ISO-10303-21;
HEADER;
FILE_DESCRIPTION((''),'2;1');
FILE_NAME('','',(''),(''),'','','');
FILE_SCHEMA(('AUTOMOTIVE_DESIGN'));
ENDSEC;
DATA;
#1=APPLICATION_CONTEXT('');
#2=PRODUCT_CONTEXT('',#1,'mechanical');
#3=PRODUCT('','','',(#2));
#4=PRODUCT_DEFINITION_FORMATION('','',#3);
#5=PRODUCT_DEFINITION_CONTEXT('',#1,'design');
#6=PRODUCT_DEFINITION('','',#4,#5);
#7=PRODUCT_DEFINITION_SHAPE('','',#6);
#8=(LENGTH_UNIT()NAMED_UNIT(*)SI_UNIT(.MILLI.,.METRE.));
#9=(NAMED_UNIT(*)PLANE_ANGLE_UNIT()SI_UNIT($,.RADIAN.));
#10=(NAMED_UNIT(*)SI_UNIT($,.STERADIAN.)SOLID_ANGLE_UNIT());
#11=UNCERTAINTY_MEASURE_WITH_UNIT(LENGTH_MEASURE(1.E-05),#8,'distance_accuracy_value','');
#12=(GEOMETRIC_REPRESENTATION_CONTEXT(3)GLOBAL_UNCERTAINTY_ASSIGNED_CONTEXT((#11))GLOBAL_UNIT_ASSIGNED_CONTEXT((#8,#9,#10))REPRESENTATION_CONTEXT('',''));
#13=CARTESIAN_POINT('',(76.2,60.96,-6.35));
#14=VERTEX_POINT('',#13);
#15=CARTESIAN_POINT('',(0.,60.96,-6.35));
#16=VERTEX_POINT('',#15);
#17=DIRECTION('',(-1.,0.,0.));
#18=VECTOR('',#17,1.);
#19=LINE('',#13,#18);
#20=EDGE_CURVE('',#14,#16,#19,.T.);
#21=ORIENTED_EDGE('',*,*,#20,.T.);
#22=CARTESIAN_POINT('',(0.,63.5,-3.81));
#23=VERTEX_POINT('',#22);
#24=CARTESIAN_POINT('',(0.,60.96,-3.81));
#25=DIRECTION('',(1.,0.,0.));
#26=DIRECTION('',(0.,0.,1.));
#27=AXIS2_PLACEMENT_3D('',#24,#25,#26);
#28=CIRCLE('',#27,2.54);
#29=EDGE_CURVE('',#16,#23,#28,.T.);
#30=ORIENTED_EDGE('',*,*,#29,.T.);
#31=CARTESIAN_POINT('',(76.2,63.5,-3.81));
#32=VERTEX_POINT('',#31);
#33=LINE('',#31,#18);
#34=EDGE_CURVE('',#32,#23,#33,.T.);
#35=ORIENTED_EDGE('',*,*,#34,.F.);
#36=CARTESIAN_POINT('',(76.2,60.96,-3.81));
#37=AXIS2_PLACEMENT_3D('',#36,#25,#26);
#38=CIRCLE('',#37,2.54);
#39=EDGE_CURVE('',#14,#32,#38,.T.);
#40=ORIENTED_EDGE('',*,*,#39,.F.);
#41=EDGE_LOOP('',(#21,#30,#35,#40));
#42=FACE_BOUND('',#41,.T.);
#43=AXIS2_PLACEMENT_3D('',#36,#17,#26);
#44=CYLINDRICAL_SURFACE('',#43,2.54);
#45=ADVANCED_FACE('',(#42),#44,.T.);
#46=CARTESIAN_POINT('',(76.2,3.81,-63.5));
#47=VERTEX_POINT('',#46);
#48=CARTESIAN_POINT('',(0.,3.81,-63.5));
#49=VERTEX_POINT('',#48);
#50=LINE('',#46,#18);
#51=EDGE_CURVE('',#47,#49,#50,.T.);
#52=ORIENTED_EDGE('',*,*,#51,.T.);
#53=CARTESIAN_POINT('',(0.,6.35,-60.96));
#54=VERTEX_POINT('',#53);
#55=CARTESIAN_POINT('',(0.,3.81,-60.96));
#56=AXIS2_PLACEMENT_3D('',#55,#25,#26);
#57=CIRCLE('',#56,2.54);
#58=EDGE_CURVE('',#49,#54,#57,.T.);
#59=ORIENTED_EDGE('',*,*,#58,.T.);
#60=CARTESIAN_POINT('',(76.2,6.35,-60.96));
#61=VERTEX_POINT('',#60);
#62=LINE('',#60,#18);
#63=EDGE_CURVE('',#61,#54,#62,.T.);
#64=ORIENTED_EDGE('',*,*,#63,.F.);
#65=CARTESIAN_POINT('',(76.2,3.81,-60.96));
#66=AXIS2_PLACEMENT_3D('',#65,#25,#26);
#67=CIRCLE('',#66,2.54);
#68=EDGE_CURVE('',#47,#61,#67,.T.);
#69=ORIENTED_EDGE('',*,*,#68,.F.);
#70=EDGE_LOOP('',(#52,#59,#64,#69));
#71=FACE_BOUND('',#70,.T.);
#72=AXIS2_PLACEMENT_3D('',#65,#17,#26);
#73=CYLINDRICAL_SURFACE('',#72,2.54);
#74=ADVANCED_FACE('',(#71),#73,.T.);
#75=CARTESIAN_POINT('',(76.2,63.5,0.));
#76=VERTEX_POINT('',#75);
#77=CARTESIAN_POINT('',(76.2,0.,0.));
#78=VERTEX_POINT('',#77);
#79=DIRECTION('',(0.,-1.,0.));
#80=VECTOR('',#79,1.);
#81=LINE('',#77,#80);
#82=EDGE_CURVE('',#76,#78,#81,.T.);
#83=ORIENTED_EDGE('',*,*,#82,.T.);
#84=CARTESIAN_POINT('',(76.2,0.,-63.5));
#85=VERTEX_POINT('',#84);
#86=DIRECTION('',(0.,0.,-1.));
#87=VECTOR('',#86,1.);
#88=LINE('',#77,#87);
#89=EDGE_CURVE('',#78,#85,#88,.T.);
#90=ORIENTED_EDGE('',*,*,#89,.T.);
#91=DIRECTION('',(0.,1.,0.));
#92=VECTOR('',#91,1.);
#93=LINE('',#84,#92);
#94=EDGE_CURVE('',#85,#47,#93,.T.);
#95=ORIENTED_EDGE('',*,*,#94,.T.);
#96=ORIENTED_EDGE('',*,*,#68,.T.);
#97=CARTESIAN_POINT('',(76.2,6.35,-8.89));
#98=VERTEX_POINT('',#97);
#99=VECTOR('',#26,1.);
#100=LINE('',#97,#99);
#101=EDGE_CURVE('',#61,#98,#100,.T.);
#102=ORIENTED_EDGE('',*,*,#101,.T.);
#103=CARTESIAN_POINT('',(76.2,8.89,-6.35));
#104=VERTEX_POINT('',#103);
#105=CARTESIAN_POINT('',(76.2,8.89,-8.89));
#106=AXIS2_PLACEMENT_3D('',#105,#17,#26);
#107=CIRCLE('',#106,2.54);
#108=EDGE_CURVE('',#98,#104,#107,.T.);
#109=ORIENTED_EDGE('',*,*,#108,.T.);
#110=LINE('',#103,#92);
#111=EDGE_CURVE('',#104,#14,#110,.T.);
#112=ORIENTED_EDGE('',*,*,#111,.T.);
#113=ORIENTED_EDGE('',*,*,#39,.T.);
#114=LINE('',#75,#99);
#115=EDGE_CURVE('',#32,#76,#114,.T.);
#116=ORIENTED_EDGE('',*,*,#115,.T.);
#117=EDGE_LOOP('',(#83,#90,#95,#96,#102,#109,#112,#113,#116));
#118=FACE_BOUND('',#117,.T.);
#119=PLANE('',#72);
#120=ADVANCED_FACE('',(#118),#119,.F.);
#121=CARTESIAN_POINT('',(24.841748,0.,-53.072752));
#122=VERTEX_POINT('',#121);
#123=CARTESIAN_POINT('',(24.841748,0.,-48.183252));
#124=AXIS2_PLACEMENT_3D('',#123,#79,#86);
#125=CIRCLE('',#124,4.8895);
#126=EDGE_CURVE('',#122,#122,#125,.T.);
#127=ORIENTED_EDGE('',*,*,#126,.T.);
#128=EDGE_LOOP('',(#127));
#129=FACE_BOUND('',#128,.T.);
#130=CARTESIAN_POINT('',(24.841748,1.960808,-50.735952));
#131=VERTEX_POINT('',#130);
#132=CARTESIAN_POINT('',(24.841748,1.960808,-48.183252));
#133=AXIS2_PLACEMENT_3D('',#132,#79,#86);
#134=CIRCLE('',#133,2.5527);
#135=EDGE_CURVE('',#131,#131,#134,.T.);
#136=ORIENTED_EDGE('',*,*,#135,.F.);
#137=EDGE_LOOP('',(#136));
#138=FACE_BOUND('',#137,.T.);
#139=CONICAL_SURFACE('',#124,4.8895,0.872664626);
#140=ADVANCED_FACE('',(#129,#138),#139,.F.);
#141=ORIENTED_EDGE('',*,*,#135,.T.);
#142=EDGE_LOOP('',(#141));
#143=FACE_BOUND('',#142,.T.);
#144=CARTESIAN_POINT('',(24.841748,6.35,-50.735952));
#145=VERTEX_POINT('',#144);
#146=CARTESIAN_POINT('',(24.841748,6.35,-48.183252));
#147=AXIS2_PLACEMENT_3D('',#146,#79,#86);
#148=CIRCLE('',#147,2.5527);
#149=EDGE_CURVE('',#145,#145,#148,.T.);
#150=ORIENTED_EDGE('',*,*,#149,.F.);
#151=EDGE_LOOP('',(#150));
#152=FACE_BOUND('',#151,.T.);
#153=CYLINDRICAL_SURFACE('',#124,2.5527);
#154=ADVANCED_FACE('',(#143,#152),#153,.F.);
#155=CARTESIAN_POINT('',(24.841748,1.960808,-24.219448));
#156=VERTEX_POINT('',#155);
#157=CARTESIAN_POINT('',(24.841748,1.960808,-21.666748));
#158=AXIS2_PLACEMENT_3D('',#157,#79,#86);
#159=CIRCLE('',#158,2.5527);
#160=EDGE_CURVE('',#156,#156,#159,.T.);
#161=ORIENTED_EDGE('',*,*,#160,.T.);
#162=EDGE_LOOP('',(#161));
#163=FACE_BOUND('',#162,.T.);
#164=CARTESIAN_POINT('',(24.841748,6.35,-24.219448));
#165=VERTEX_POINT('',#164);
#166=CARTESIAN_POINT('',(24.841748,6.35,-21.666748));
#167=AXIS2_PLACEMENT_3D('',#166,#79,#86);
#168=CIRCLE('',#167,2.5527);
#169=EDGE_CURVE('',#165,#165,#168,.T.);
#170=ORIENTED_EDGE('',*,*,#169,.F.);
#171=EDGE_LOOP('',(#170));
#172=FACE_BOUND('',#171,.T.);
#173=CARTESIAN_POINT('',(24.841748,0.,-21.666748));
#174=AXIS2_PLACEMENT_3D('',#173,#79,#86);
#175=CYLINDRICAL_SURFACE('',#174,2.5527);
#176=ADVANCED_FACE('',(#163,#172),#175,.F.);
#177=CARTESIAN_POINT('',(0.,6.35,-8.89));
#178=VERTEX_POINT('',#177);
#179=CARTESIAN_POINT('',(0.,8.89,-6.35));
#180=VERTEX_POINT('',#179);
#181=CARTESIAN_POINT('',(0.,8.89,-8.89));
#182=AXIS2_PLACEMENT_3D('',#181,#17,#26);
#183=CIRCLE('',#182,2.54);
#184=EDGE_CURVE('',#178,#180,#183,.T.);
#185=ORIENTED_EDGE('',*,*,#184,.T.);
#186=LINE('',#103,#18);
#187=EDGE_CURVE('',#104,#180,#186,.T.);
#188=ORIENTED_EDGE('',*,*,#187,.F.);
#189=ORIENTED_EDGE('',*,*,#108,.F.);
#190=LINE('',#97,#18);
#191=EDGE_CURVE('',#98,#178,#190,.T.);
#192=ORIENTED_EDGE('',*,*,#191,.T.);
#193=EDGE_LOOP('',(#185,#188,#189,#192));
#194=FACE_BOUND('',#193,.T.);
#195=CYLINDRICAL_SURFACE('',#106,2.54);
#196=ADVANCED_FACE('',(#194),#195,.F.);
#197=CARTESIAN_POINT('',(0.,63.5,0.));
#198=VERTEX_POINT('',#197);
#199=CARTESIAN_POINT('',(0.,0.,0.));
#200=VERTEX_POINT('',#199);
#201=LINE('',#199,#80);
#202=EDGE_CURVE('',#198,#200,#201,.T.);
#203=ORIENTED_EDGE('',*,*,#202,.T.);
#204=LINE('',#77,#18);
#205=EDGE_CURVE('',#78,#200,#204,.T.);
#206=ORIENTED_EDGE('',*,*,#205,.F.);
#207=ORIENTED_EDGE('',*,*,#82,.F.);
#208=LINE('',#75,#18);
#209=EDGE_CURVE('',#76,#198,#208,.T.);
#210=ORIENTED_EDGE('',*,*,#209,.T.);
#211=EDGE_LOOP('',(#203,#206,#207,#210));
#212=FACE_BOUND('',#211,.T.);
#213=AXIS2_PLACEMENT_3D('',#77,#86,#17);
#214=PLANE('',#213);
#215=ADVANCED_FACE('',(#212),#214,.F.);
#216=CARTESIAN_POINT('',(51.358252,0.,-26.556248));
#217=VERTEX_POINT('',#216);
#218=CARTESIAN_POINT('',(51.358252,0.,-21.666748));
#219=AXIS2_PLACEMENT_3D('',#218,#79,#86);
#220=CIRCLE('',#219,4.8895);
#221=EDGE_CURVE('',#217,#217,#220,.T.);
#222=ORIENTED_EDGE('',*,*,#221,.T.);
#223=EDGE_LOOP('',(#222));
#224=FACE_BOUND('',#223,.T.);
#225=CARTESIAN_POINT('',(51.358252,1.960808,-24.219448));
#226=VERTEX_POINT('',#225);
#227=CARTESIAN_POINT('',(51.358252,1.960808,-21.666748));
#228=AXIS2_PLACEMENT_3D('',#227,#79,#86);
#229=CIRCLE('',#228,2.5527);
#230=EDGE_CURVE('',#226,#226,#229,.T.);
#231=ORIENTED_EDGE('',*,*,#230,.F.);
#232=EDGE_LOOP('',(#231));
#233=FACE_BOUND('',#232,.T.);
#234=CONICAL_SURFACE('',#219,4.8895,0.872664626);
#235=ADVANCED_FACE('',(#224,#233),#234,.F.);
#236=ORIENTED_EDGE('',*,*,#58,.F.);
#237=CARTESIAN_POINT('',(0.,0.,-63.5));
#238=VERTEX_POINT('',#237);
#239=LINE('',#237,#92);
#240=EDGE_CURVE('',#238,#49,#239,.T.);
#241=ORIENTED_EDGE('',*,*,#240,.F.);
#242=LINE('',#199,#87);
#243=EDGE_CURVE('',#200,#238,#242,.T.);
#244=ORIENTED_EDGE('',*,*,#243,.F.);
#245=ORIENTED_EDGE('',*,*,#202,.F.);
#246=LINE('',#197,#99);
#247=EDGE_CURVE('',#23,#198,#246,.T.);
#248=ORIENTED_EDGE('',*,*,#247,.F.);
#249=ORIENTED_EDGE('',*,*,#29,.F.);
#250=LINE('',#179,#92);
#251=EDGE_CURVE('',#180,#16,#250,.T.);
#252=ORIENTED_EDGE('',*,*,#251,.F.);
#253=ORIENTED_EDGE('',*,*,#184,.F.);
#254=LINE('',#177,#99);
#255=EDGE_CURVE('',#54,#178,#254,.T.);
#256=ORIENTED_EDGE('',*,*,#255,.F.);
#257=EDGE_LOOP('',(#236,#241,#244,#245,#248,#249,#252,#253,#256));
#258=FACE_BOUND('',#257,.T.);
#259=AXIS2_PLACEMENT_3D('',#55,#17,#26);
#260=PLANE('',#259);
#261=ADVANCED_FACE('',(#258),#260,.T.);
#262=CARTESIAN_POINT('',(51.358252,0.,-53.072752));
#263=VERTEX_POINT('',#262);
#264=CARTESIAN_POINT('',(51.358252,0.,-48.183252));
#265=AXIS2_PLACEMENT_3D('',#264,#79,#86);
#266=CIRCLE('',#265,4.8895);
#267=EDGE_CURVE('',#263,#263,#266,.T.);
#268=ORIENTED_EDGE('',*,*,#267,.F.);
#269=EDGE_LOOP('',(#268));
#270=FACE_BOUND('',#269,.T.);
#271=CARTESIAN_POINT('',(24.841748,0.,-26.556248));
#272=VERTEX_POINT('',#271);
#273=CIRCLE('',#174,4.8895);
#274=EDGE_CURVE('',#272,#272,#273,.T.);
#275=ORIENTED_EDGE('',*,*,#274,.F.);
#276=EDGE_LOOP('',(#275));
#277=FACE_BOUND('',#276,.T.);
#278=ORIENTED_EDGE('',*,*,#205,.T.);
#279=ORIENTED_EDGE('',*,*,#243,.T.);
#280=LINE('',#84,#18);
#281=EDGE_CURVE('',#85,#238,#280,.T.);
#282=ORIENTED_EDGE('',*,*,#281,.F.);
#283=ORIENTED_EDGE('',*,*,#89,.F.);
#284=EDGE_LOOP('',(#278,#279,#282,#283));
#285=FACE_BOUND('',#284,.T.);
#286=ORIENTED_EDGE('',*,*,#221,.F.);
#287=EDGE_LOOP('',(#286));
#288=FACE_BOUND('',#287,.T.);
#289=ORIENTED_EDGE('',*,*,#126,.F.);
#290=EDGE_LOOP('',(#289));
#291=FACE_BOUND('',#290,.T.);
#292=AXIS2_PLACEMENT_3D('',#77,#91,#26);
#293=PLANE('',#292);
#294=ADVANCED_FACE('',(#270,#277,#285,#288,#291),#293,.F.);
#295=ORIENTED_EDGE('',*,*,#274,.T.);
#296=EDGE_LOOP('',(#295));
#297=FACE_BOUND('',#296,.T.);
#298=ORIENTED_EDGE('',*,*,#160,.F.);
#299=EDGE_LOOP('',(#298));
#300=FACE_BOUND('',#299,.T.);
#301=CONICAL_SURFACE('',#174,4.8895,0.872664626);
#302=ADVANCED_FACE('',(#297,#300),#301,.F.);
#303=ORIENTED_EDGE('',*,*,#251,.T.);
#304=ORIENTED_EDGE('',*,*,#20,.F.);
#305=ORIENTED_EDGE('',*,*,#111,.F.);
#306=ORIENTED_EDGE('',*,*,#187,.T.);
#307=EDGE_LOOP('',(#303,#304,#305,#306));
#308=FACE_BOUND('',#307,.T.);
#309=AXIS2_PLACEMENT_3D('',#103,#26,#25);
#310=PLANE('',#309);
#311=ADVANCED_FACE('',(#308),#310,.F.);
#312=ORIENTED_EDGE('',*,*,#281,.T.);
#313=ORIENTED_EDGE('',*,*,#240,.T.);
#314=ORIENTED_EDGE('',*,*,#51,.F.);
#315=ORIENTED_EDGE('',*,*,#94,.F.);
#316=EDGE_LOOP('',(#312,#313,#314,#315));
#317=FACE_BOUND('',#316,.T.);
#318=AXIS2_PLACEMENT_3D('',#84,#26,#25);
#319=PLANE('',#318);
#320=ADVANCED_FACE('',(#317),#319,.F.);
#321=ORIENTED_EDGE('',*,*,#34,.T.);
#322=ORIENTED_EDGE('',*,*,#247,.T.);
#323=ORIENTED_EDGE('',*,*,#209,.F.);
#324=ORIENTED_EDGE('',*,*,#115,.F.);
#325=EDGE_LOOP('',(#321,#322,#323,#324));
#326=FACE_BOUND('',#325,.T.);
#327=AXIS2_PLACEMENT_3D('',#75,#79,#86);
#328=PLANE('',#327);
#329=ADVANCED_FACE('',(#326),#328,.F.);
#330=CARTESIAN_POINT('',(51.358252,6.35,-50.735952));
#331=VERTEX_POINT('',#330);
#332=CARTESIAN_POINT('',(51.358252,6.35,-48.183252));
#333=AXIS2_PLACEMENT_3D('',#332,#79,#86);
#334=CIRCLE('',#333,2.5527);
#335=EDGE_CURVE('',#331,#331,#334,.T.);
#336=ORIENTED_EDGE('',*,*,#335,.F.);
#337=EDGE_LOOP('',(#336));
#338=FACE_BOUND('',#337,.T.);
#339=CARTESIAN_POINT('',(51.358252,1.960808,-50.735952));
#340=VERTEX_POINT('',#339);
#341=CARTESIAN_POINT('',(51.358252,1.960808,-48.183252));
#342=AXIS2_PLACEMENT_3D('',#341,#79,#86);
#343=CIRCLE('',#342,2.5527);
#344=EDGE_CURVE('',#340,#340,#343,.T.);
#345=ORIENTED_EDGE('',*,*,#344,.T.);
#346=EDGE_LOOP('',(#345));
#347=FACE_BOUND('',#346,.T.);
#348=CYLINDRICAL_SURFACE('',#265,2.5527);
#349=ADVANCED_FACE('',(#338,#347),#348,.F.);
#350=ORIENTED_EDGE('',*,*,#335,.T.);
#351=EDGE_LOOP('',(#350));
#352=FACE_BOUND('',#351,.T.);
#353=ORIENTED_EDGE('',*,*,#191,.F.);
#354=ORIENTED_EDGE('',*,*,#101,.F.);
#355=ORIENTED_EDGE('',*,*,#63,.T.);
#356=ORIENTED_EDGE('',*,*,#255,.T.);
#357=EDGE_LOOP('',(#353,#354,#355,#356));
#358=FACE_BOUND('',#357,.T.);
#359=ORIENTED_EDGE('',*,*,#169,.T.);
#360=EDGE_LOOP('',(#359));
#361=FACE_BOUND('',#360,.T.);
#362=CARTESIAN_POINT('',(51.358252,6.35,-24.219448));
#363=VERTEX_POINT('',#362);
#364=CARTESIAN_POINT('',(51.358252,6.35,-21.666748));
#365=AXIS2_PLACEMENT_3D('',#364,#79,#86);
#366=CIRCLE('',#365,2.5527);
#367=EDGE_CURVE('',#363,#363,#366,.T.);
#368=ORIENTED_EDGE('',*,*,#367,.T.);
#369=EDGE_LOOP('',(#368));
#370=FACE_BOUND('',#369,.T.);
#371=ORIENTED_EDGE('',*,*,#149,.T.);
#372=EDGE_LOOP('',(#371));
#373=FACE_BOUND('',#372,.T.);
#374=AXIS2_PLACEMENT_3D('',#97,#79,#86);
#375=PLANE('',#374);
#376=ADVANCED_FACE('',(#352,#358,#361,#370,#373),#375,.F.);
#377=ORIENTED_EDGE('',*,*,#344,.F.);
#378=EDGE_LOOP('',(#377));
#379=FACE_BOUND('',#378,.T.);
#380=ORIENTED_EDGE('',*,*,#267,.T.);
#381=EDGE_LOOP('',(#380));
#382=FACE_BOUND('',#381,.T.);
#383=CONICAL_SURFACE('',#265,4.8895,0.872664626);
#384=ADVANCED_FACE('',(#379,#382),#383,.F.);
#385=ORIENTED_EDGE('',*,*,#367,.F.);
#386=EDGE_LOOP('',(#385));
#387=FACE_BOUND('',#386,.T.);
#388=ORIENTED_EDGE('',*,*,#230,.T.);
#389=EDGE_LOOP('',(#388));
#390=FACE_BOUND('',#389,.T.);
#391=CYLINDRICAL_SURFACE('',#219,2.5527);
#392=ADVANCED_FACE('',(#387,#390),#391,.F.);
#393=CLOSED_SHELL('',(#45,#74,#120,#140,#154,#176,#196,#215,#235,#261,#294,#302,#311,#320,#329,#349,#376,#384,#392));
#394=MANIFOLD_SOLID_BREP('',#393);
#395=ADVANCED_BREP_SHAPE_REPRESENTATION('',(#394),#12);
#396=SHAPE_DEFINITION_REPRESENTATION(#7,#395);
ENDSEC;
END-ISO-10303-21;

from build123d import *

# Parameters (mm, degrees)
BOSS_EXTRUDE2_DEPTH                                = 76.2
CSK_FOR_10_FLAT_HEAD_MACHINE_SCREW_100_D           = 5.1054
CSK_FOR_10_FLAT_HEAD_MACHINE_SCREW_100_CSINK_D     = 9.779
CSK_FOR_10_FLAT_HEAD_MACHINE_SCREW_100_CSINK_ANGLE = 100


with BuildPart() as part:
    # Sketch1 → Boss-Extrude2 (new body)
    with BuildSketch(Plane(origin=(0, 0, 0), x_dir=(0, 0, -1), z_dir=(1, 0, 0))):
        with BuildLine():
            Line((0, 0), (0, 63.5))
            Line((0, 63.5), (3.81, 63.5))
            ThreePointArc((3.81, 63.5), (5.606051224, 62.756051224), (6.35, 60.96))
            Line((6.35, 60.96), (6.35, 8.89))
            ThreePointArc((6.35, 8.89), (7.093948776, 7.093948776), (8.89, 6.35))
            Line((8.89, 6.35), (60.96, 6.35))
            ThreePointArc((60.96, 6.35), (62.756051224, 5.606051224), (63.5, 3.81))
            Line((63.5, 3.81), (63.5, 0))
            Line((63.5, 0), (0, 0))
        make_face()
    extrude(amount=BOSS_EXTRUDE2_DEPTH)

    # CSK for #10 Flat Head Machine Screw (100)1 (through all)
    with Locations(Plane.XZ):
        with Locations((24.841747853, -48.183252147), (51.358252147, -48.183252147), (51.358252147, -21.666747853), (24.841747853, -21.666747853)):
            CounterSinkHole(CSK_FOR_10_FLAT_HEAD_MACHINE_SCREW_100_D / 2, CSK_FOR_10_FLAT_HEAD_MACHINE_SCREW_100_CSINK_D / 2, counter_sink_angle=CSK_FOR_10_FLAT_HEAD_MACHINE_SCREW_100_CSINK_ANGLE)


solid = part.part
